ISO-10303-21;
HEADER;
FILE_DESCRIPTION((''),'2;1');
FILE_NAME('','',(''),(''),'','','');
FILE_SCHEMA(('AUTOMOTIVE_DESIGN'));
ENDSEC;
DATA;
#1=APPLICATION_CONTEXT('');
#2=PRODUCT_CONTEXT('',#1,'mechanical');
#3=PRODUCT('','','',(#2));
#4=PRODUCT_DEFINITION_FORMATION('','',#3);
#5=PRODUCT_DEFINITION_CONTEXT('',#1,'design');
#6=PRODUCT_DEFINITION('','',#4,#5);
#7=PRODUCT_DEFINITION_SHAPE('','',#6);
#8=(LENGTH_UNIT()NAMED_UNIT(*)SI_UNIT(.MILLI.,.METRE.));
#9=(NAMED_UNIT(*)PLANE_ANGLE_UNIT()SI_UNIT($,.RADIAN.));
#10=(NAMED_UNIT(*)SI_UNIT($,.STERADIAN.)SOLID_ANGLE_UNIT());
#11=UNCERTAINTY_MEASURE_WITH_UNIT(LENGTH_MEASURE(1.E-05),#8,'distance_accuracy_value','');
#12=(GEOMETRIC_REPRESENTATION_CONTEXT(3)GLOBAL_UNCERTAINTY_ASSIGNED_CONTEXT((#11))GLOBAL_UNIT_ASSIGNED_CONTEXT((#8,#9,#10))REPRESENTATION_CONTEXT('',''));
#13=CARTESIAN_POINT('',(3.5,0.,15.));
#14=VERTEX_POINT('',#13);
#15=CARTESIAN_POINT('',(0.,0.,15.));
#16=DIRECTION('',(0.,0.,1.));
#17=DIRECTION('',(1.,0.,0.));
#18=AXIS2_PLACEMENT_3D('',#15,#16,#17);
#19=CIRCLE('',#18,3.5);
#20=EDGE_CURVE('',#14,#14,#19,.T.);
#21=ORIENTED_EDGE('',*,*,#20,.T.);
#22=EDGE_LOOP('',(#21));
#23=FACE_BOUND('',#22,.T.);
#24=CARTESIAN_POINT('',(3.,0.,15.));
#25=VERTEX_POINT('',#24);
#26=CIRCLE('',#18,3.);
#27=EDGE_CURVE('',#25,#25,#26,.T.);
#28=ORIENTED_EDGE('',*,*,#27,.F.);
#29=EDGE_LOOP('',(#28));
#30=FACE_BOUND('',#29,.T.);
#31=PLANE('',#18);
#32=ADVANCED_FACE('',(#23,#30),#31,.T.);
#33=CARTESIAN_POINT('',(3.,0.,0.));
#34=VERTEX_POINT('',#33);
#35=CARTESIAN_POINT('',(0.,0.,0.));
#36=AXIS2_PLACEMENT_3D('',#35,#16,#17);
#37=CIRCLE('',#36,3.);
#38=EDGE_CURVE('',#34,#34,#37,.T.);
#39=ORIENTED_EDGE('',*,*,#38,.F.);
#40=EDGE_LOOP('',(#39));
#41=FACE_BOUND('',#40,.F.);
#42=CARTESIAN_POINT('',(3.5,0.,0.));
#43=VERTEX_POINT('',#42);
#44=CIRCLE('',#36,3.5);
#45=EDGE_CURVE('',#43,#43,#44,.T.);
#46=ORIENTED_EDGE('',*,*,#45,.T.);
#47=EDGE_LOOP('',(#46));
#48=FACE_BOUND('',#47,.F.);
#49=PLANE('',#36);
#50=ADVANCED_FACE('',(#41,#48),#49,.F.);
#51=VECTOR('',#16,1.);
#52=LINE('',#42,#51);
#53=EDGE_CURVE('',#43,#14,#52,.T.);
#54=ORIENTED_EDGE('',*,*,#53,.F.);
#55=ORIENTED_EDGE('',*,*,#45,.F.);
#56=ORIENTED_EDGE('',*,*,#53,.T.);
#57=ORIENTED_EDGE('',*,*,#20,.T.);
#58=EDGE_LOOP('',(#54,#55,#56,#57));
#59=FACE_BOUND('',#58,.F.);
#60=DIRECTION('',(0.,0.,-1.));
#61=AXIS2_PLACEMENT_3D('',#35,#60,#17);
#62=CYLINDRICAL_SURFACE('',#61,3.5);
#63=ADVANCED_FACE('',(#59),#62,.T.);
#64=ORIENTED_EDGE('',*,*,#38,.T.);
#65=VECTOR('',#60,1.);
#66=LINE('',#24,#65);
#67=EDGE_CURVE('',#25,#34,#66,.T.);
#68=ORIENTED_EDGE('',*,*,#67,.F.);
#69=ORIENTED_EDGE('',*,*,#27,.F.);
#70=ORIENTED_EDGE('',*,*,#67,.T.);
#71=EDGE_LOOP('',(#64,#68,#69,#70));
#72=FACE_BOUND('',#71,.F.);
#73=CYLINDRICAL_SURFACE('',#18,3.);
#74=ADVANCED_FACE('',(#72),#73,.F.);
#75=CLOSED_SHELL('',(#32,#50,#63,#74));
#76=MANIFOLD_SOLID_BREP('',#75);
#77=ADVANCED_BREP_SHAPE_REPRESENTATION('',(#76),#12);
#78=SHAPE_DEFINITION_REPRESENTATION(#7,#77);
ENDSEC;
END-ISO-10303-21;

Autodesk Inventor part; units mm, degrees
ref_plane "YZ Plane" through (0, 0, 0) normal (1, 0, 0) x (0, 1, 0)
ref_plane "XZ Plane" through (0, 0, 0) normal (0, 1, 0) x (-1, 0, 0)
ref_plane "XY Plane" through (0, 0, 0) normal (0, 0, 1) x (1, 0, 0)
sketch "Sketch1" plane through (0, 0, 0) normal (0, 0, 1) x (1, 0, 0)
  circle A0 centre (0, 0) radius 3.5
  dimension "d0" = 7
extrude "Extrusion1" add sketch "Sketch1" along normal blind 15
sketch "Sketch2" plane through (0, 0, 15) normal (0, 0, 1) x (1, 0, 0)
  circle A0 centre (0, 0) radius 3
  dimension "d3" = 6
extrude "Extrusion2" cut sketch "Sketch2" against normal blind 15
properties part number "helper_rod"
